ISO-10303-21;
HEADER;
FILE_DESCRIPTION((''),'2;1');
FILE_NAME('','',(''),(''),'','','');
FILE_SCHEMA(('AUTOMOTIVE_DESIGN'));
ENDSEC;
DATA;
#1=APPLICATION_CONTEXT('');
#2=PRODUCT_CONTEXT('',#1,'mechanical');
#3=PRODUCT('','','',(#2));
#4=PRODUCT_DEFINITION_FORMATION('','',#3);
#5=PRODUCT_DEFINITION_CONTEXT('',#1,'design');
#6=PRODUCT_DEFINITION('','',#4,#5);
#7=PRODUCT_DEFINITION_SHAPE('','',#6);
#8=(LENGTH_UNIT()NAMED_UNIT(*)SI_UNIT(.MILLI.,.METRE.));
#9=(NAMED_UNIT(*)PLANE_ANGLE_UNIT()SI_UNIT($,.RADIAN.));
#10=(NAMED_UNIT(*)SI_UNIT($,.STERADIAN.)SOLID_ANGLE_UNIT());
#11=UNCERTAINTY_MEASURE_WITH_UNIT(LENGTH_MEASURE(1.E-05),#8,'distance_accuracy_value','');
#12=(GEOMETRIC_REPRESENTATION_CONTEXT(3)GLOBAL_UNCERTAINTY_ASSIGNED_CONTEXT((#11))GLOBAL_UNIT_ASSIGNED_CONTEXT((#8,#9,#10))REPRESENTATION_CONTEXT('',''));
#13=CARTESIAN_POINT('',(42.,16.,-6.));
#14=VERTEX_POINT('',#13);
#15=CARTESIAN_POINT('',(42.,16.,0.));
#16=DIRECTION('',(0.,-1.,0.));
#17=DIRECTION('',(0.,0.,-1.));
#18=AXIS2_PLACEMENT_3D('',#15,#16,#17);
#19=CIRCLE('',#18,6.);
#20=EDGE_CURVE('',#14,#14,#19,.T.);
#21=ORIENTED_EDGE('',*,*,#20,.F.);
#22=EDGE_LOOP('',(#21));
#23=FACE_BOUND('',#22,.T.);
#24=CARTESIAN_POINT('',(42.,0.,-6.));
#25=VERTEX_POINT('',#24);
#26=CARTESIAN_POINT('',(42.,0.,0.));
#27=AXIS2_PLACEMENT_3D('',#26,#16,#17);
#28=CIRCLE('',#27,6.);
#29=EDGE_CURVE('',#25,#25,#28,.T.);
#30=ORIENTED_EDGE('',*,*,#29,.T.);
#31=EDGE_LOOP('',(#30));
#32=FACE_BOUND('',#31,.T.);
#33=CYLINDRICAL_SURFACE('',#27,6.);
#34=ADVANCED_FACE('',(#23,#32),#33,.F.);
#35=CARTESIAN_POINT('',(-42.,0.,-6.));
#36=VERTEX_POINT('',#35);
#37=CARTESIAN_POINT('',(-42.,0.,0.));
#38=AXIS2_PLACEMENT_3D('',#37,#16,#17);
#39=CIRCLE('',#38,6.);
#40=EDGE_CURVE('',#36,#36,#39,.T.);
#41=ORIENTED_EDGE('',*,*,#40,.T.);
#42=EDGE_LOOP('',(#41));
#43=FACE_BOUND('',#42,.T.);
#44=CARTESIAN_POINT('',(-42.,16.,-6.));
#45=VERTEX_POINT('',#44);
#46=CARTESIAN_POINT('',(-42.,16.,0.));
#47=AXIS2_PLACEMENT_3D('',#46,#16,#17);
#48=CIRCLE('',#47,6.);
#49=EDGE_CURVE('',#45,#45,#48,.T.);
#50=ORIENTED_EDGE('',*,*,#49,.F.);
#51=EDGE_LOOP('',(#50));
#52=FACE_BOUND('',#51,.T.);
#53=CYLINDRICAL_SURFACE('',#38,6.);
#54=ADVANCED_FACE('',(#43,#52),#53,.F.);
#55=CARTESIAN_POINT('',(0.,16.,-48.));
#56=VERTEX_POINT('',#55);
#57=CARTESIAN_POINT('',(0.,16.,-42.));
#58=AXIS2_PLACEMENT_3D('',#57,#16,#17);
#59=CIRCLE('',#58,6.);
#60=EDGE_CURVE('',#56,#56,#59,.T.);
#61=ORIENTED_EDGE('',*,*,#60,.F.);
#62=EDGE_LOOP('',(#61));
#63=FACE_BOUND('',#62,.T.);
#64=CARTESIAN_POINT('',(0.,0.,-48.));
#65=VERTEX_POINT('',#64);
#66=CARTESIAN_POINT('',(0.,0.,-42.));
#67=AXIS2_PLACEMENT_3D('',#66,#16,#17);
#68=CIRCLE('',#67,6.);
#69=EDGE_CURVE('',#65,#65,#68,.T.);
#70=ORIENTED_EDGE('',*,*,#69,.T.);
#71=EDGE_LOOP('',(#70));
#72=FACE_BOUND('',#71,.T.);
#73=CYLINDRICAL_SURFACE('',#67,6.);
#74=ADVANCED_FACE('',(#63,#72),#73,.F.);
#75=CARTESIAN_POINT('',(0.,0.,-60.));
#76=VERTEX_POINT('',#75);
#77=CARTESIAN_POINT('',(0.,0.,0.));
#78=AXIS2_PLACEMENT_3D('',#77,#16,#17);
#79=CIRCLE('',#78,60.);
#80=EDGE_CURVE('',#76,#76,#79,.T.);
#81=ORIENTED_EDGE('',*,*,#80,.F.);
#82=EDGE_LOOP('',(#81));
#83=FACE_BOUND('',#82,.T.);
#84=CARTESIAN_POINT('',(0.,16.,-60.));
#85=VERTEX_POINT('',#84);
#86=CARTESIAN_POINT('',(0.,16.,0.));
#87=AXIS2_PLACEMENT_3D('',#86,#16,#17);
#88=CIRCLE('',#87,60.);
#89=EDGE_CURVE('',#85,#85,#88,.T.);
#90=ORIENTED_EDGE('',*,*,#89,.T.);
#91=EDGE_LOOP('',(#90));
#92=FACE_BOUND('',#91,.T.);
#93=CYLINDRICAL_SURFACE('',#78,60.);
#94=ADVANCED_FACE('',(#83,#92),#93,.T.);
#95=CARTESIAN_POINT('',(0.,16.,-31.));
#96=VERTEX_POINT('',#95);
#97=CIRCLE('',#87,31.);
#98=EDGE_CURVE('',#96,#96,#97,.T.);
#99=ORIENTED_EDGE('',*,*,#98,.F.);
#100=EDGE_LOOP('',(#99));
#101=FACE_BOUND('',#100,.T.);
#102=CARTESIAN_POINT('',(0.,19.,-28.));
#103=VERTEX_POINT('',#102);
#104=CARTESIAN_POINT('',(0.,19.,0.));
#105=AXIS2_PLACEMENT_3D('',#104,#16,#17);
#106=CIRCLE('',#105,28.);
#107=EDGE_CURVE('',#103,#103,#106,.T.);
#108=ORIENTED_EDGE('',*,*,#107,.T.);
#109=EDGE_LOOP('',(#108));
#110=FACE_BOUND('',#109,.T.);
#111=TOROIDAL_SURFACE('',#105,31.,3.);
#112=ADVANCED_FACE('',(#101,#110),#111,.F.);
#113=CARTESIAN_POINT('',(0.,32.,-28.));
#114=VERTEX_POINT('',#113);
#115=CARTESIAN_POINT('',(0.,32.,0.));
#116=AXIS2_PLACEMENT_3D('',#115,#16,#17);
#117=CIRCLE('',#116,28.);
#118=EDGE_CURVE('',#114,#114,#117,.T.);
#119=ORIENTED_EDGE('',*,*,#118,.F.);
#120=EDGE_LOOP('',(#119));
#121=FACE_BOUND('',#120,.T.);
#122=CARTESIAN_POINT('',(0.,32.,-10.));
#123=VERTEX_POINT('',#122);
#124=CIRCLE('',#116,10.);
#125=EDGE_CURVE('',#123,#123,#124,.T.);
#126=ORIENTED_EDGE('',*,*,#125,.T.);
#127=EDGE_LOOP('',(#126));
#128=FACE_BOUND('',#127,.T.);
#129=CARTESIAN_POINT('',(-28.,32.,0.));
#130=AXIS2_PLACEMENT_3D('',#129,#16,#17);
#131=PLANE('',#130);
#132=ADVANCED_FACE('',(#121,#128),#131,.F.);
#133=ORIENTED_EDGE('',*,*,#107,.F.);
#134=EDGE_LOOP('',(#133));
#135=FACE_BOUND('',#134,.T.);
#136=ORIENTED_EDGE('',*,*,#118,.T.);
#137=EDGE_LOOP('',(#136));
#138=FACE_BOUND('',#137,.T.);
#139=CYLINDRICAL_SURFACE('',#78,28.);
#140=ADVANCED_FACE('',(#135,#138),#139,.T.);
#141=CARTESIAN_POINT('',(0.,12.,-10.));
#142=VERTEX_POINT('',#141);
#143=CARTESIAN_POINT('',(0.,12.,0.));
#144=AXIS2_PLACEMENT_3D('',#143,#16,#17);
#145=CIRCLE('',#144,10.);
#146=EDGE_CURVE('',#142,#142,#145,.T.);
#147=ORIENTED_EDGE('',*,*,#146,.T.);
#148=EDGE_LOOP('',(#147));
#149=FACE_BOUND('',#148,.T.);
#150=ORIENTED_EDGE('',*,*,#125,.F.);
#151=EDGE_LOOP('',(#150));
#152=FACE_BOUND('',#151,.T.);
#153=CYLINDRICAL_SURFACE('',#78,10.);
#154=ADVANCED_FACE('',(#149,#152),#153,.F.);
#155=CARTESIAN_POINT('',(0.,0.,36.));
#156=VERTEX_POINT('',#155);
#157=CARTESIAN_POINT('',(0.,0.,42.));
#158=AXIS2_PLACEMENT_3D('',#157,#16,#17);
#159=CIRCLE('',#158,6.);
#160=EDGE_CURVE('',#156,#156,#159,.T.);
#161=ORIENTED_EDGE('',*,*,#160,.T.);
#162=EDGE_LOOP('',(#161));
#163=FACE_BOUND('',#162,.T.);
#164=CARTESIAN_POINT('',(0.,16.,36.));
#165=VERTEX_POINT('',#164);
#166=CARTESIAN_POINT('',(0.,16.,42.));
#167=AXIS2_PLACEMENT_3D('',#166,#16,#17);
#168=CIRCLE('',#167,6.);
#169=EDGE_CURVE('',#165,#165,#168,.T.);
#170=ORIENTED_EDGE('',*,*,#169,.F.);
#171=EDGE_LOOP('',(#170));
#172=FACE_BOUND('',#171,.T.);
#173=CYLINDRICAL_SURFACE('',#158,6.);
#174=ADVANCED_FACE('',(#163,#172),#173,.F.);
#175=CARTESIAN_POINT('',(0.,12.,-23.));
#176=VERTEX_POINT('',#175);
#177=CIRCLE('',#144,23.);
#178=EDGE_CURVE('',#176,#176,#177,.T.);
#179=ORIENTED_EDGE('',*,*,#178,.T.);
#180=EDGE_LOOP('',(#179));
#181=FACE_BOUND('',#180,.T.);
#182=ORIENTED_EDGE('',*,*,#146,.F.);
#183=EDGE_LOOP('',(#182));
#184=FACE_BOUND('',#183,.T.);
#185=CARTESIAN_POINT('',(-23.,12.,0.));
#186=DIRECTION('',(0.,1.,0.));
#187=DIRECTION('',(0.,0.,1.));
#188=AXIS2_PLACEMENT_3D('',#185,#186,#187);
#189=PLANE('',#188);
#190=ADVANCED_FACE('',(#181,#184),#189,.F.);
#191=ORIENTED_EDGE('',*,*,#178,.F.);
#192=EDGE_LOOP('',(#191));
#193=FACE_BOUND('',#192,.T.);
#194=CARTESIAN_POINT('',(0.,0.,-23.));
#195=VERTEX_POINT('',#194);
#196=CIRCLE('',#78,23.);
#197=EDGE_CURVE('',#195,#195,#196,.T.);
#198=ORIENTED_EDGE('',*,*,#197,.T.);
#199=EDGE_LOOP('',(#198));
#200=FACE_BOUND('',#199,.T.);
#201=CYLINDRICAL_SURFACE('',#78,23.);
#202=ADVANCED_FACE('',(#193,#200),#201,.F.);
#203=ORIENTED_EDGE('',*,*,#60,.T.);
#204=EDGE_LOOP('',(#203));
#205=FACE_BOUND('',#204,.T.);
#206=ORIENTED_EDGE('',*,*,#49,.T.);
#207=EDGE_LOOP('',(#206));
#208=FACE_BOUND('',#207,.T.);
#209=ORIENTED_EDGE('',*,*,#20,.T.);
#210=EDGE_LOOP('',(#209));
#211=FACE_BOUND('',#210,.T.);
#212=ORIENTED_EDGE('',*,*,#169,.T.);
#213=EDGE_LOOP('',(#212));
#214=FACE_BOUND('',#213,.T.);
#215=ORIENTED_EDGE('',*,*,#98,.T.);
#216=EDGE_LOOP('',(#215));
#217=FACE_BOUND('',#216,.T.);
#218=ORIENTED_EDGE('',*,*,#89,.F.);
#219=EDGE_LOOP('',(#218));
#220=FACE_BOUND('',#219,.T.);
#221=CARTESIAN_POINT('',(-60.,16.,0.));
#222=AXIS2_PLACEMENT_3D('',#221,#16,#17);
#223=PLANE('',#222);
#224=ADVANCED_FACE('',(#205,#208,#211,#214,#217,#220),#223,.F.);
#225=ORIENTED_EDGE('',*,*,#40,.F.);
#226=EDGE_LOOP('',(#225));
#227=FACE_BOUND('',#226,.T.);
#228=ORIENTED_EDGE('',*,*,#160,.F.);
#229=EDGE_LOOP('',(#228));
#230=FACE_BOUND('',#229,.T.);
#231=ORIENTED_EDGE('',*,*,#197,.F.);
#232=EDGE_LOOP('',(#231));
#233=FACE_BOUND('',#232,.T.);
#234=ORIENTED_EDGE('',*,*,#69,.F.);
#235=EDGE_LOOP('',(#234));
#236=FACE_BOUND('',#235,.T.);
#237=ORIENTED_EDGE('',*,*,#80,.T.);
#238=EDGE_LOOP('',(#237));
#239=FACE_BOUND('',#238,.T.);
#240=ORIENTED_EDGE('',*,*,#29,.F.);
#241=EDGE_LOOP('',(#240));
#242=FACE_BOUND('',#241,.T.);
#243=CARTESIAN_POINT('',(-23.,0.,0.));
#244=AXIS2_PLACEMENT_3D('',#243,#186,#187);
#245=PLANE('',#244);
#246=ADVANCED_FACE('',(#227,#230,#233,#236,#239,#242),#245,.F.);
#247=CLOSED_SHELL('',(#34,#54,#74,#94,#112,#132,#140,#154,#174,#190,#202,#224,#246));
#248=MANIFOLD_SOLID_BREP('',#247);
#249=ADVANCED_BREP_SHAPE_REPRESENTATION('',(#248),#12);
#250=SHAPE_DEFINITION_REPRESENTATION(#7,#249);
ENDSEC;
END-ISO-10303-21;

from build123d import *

# Parameters (mm, degrees)
F_12_0MM_DOWEL_HOLE1_D = 12
CIRPATTERN1_COUNT      = 4


with BuildPart() as part:
    # Sketch1 → Revolve1 (revolve)
    with BuildSketch(Plane.XY, mode=Mode.PRIVATE) as revolve1_sk:
        with BuildLine():
            Line((-60, 0), (-60, 16))
            Line((-60, 16), (-31, 16))
            ThreePointArc((-31, 16), (-28.878679656, 16.878679656), (-28, 19))
            Line((-28, 19), (-28, 32))
            Line((-28, 32), (-10, 32))
            Line((-10, 32), (-10, 12))
            Line((-10, 12), (-23, 12))
            Line((-23, 12), (-23, 0))
            Line((-23, 0), (-60, 0))
        make_face()
    revolve(revolve1_sk.sketch.rotate(Axis((0, 0, 0), (0, 1, 0)), 270), axis=Axis((0, 0, 0), (0, 1, 0)))

    # Ø12.0mm Dowel Hole1 (through all)
    with Locations(Plane.XZ):
        with Locations((0, 42)):
            f_12_0mm_dowel_hole1 = Hole(F_12_0MM_DOWEL_HOLE1_D / 2)

    # CirPattern1: Ø12.0mm Dowel Hole1 ×4 about axis
    cirpattern1_axis = Axis((0, 0, 0), (0, 1, 0))
    for i in range(1, CIRPATTERN1_COUNT):
        add(f_12_0mm_dowel_hole1.rotate(cirpattern1_axis, i * 360 / CIRPATTERN1_COUNT), mode=Mode.SUBTRACT)


solid = part.part
